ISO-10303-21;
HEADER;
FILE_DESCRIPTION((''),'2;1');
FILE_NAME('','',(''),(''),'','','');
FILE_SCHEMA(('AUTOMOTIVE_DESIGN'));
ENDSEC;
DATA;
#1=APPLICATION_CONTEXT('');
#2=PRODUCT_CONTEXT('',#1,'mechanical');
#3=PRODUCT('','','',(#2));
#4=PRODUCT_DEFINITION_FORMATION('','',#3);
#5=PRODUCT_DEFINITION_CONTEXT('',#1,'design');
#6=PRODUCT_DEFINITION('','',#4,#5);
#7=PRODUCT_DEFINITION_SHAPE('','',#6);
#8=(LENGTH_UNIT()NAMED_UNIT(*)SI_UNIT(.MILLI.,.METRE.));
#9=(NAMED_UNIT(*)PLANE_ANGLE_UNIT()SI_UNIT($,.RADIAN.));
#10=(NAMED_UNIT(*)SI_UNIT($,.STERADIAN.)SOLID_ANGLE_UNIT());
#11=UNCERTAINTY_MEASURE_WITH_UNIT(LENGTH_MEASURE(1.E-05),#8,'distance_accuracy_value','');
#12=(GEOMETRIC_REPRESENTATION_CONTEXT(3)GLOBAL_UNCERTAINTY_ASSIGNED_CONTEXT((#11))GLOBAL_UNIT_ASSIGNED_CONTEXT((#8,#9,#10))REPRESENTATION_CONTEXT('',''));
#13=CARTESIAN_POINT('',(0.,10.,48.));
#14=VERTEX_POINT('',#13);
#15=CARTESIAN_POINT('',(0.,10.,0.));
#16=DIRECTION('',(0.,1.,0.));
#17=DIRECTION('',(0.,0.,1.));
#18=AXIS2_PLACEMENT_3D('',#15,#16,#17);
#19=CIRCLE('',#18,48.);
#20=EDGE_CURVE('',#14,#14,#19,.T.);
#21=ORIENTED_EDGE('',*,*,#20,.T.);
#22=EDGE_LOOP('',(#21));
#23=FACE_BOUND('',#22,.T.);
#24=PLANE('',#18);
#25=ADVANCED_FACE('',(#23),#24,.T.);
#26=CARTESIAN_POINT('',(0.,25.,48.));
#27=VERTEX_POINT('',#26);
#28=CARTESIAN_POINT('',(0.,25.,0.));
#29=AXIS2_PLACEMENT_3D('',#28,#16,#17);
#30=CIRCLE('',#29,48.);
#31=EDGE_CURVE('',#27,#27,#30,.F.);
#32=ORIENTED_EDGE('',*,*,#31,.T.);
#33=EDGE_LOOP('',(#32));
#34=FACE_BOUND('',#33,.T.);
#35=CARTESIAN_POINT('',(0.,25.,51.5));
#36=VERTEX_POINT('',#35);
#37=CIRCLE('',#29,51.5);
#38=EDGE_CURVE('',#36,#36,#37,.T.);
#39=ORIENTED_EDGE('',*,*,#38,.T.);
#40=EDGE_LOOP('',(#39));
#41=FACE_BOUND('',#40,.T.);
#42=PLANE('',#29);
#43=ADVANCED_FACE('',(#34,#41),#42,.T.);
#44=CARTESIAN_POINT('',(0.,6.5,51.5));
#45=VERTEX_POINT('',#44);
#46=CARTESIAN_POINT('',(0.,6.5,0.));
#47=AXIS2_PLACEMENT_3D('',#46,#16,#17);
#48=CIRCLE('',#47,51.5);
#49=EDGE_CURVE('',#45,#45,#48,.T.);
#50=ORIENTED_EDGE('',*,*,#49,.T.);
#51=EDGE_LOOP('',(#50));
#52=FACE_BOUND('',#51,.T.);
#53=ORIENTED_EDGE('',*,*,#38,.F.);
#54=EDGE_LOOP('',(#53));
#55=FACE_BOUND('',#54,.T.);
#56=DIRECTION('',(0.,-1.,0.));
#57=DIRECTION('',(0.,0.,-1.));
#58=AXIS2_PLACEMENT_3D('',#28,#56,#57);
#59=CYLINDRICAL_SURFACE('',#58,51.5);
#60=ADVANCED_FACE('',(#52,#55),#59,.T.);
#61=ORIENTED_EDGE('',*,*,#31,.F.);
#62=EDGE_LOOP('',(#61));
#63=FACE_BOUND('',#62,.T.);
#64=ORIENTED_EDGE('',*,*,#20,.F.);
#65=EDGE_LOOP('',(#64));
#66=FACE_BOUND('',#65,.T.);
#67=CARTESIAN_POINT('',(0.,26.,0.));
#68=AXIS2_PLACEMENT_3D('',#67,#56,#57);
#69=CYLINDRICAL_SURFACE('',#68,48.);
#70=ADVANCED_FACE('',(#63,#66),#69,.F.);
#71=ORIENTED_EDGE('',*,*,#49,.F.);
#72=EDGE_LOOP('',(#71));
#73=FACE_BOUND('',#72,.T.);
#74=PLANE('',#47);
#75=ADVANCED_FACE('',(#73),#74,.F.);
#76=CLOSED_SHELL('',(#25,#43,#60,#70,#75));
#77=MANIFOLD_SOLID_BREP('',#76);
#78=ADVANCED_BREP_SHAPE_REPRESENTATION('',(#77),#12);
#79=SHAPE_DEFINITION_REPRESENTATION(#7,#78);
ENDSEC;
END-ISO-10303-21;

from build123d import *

# Parameters (mm, degrees)
YUVA_1L_HALKA_1_START = 6.5
SKETCH1_R             = 51.5
YUVA_1L_HALKA_1_DEPTH = 18.5
YUVA_1L_HALKA_2_START = 10
SKETCH2_R             = 48
YUVA_1L_HALKA_2_DEPTH = 16


with BuildPart() as part:
    # Sketch1 → YUVA_1L_halka_1 (new body)
    with BuildSketch(Plane(origin=(0, 0, 0), x_dir=(1, 0, 0), z_dir=(0, 1, 0)).offset(YUVA_1L_HALKA_1_START)):
        with Locations(Location((0, 0, 0), (0, 0, 270))):
            Circle(SKETCH1_R)
    extrude(amount=YUVA_1L_HALKA_1_DEPTH)

    # Sketch2 → YUVA_1L_halka_2 (cut)
    with BuildSketch(Plane(origin=(0, 0, 0), x_dir=(1, 0, 0), z_dir=(0, 1, 0)).offset(YUVA_1L_HALKA_2_START)):
        with Locations(Location((0, 0, 0), (0, 0, 270))):
            Circle(SKETCH2_R)
    extrude(amount=YUVA_1L_HALKA_2_DEPTH, mode=Mode.SUBTRACT)


solid = part.part
